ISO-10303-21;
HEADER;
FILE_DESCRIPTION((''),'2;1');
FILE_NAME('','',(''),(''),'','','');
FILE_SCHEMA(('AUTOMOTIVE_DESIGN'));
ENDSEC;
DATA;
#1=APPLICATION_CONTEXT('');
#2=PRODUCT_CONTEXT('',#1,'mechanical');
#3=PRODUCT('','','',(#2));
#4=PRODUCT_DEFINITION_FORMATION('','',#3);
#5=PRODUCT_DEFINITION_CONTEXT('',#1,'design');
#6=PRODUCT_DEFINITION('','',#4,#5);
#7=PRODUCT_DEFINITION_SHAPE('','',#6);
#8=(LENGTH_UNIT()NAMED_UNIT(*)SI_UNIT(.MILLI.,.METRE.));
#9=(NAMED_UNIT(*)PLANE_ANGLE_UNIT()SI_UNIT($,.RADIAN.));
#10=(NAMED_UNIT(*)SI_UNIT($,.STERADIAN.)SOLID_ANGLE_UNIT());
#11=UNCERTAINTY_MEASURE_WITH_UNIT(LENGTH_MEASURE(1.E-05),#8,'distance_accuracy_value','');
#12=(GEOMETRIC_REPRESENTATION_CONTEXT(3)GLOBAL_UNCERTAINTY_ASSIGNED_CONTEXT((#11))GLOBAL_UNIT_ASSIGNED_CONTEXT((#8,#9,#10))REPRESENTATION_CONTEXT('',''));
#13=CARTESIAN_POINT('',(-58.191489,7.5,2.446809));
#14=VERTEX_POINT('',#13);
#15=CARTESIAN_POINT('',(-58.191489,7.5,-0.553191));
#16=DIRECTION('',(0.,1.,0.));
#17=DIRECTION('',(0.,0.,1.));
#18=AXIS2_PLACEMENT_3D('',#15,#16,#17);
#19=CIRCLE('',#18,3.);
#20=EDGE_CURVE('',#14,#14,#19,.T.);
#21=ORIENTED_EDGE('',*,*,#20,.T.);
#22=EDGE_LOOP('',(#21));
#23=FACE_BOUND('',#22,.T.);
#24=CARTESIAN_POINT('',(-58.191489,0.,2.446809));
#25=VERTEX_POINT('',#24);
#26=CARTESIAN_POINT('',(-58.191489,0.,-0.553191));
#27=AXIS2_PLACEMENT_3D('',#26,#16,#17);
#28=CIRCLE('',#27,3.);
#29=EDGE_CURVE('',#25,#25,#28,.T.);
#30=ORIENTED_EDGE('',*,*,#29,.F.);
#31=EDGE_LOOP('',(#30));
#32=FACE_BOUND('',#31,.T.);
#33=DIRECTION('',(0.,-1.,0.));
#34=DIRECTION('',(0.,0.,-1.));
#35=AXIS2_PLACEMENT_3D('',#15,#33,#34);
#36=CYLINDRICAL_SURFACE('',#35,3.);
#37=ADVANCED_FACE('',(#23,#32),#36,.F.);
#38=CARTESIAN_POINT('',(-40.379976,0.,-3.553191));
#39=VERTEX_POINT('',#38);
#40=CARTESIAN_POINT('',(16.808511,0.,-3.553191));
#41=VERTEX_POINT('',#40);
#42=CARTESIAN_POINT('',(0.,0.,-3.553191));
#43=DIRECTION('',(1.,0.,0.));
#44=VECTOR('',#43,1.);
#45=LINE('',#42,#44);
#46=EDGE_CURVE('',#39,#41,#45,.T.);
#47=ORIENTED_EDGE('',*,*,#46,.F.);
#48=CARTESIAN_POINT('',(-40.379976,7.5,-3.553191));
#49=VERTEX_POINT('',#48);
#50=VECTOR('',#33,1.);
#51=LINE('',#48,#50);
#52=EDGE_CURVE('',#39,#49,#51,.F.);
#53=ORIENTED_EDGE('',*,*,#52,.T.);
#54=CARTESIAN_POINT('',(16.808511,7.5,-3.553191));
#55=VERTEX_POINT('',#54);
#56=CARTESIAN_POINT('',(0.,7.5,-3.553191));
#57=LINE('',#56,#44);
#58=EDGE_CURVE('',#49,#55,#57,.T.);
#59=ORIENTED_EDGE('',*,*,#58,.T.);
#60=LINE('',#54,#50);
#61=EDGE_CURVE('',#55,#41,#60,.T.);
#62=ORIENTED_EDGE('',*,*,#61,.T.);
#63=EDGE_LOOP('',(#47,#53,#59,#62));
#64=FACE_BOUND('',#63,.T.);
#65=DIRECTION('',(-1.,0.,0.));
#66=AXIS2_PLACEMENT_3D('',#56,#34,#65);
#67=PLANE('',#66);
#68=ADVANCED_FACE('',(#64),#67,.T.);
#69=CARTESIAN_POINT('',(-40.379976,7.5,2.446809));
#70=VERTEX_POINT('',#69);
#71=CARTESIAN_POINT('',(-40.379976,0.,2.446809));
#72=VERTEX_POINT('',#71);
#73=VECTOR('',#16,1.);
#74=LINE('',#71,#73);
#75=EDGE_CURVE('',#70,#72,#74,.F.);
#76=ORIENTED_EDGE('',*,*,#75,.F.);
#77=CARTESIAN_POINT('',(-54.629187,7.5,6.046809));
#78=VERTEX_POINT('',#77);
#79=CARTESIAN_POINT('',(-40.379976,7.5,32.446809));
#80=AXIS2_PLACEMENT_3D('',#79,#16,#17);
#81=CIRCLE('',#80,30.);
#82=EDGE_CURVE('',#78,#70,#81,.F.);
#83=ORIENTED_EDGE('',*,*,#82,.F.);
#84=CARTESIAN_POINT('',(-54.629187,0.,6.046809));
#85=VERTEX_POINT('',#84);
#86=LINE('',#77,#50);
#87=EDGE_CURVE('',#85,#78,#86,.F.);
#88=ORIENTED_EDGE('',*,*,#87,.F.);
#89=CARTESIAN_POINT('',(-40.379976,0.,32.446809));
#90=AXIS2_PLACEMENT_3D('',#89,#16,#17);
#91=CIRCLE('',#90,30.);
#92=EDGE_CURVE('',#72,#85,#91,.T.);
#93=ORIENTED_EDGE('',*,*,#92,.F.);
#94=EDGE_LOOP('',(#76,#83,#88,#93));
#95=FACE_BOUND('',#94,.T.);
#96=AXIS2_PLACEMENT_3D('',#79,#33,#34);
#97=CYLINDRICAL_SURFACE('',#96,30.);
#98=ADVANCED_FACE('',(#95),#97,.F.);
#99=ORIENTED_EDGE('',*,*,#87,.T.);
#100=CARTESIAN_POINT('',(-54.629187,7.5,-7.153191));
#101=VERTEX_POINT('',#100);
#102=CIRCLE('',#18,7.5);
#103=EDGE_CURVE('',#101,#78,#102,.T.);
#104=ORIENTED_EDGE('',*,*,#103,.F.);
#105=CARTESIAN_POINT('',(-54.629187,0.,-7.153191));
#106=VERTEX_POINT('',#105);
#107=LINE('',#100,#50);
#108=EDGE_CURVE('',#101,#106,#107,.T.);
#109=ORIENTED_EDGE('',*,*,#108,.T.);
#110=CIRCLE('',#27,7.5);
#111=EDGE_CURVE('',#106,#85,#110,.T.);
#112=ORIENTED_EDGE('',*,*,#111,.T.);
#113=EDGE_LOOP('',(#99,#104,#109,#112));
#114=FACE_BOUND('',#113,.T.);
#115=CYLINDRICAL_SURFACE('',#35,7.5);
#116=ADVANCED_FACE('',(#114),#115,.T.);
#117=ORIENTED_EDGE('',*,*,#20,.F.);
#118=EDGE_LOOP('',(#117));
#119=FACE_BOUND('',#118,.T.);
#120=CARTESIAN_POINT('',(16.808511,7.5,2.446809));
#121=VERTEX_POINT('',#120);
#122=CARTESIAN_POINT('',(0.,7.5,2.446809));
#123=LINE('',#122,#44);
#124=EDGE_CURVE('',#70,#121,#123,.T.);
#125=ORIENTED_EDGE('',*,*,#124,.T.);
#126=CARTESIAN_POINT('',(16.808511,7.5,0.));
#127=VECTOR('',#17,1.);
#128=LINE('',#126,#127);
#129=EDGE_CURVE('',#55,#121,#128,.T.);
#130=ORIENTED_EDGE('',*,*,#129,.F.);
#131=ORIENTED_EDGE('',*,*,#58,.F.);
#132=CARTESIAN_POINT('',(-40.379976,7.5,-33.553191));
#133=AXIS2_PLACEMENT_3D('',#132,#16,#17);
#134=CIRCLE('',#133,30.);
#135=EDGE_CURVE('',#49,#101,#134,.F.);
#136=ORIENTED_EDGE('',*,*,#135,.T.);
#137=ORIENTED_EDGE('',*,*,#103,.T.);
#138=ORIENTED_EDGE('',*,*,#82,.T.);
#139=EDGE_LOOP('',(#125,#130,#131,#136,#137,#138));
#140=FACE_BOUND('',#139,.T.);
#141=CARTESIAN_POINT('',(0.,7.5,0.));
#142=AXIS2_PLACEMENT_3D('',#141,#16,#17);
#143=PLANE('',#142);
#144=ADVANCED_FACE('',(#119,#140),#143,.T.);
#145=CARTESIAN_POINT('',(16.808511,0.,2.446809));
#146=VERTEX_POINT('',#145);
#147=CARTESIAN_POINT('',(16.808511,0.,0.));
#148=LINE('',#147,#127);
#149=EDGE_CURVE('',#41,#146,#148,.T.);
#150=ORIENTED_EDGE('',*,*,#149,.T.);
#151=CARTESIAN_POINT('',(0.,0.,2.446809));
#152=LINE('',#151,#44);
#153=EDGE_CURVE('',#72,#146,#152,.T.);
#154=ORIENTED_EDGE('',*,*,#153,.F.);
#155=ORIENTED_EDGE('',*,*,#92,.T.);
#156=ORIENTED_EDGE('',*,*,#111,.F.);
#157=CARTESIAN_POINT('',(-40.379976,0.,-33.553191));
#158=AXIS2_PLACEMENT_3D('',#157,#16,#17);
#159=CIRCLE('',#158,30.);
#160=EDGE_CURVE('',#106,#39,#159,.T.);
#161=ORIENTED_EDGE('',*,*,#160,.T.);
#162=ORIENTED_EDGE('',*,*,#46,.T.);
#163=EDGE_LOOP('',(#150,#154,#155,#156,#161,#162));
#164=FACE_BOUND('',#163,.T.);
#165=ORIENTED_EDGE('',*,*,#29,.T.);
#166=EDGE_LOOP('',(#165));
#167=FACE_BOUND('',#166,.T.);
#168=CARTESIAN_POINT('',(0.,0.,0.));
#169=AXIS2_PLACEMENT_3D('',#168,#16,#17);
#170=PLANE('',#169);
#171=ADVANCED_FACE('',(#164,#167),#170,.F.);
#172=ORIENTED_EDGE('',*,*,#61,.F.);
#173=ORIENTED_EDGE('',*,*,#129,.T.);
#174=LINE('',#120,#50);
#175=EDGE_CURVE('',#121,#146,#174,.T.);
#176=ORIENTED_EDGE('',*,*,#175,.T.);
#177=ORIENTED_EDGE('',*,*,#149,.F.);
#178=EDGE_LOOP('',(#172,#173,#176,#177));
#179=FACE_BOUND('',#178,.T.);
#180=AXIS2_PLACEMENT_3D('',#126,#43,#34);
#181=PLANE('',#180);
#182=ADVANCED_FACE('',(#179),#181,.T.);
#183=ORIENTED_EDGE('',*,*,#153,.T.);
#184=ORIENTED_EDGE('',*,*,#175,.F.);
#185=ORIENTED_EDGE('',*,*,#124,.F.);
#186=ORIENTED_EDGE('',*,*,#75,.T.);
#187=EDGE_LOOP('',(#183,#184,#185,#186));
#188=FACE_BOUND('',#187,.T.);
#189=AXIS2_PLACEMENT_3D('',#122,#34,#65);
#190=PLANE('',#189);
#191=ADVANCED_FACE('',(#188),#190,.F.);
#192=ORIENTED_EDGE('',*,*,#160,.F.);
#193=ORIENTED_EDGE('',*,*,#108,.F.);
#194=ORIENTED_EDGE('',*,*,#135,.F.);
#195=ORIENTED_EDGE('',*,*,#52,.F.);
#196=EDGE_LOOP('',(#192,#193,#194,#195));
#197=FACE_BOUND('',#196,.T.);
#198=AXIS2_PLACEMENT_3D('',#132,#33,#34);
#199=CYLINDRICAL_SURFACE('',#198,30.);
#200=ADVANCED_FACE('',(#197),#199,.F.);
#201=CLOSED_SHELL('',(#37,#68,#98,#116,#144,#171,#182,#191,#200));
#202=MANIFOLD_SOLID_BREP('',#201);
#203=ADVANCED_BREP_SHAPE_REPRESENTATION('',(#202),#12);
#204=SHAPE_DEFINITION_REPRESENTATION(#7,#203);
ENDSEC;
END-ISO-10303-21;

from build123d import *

# Parameters (mm, degrees)
BOSS_EXTRUDE1_DEPTH = 7.5
FILLET1_R           = 30
FILLET2_R           = 30


with BuildPart() as part:
    # Sketch1 → Boss-Extrude1 (new body)
    with BuildSketch(Plane(origin=(0, 0, 0), x_dir=(1, 0, 0), z_dir=(0, 1, 0))):
        with BuildLine():
            ThreePointArc((-58.191489362, -2.446808511), (-61.191489362, 0.553191489), (-58.191489362, 3.553191489))
            Line((-58.191489362, 3.553191489), (-51.317625819, 3.553191489))
            ThreePointArc((-51.317625819, 3.553191489), (-65.691489362, 0.553191489), (-51.317625819, -2.446808511))
            Line((-51.317625819, -2.446808511), (-58.191489362, -2.446808511))
        make_face()
        with BuildLine():
            Line((-51.317625819, 3.553191489), (-58.191489362, 3.553191489))
            ThreePointArc((-58.191489362, 3.553191489), (-56.070169018, 2.674511833), (-55.191489362, 0.553191489))
            ThreePointArc((-55.191489362, 0.553191489), (-56.070169018, -1.568128854), (-58.191489362, -2.446808511))
            Line((-58.191489362, -2.446808511), (-51.317625819, -2.446808511))
            ThreePointArc((-51.317625819, -2.446808511), (-50.849692015, -0.979130838), (-50.691489362, 0.553191489))
            ThreePointArc((-50.691489362, 0.553191489), (-50.849692015, 2.085513817), (-51.317625819, 3.553191489))
        make_face()
        with BuildLine():
            Line((16.808510638, 3.553191489), (-51.317625819, 3.553191489))
            ThreePointArc((-51.317625819, 3.553191489), (-50.849692015, 2.085513817), (-50.691489362, 0.553191489))
            ThreePointArc((-50.691489362, 0.553191489), (-50.849692015, -0.979130838), (-51.317625819, -2.446808511))
            Line((-51.317625819, -2.446808511), (16.808510638, -2.446808511))
            Line((16.808510638, -2.446808511), (16.808510638, 3.553191489))
        make_face()
    extrude(amount=BOSS_EXTRUDE1_DEPTH)

    # Fillet1
    fillet1_edges = [part.edges().sort_by_distance(p)[0] for p in [
        (-51.317625819, 3.75, 2.446808511),
    ]]
    fillet(fillet1_edges, radius=FILLET1_R)

    # Fillet2
    fillet2_edges = [part.edges().sort_by_distance(p)[0] for p in [
        (-51.317625819, 3.75, -3.553191489),
    ]]
    fillet(fillet2_edges, radius=FILLET2_R)


solid = part.part
